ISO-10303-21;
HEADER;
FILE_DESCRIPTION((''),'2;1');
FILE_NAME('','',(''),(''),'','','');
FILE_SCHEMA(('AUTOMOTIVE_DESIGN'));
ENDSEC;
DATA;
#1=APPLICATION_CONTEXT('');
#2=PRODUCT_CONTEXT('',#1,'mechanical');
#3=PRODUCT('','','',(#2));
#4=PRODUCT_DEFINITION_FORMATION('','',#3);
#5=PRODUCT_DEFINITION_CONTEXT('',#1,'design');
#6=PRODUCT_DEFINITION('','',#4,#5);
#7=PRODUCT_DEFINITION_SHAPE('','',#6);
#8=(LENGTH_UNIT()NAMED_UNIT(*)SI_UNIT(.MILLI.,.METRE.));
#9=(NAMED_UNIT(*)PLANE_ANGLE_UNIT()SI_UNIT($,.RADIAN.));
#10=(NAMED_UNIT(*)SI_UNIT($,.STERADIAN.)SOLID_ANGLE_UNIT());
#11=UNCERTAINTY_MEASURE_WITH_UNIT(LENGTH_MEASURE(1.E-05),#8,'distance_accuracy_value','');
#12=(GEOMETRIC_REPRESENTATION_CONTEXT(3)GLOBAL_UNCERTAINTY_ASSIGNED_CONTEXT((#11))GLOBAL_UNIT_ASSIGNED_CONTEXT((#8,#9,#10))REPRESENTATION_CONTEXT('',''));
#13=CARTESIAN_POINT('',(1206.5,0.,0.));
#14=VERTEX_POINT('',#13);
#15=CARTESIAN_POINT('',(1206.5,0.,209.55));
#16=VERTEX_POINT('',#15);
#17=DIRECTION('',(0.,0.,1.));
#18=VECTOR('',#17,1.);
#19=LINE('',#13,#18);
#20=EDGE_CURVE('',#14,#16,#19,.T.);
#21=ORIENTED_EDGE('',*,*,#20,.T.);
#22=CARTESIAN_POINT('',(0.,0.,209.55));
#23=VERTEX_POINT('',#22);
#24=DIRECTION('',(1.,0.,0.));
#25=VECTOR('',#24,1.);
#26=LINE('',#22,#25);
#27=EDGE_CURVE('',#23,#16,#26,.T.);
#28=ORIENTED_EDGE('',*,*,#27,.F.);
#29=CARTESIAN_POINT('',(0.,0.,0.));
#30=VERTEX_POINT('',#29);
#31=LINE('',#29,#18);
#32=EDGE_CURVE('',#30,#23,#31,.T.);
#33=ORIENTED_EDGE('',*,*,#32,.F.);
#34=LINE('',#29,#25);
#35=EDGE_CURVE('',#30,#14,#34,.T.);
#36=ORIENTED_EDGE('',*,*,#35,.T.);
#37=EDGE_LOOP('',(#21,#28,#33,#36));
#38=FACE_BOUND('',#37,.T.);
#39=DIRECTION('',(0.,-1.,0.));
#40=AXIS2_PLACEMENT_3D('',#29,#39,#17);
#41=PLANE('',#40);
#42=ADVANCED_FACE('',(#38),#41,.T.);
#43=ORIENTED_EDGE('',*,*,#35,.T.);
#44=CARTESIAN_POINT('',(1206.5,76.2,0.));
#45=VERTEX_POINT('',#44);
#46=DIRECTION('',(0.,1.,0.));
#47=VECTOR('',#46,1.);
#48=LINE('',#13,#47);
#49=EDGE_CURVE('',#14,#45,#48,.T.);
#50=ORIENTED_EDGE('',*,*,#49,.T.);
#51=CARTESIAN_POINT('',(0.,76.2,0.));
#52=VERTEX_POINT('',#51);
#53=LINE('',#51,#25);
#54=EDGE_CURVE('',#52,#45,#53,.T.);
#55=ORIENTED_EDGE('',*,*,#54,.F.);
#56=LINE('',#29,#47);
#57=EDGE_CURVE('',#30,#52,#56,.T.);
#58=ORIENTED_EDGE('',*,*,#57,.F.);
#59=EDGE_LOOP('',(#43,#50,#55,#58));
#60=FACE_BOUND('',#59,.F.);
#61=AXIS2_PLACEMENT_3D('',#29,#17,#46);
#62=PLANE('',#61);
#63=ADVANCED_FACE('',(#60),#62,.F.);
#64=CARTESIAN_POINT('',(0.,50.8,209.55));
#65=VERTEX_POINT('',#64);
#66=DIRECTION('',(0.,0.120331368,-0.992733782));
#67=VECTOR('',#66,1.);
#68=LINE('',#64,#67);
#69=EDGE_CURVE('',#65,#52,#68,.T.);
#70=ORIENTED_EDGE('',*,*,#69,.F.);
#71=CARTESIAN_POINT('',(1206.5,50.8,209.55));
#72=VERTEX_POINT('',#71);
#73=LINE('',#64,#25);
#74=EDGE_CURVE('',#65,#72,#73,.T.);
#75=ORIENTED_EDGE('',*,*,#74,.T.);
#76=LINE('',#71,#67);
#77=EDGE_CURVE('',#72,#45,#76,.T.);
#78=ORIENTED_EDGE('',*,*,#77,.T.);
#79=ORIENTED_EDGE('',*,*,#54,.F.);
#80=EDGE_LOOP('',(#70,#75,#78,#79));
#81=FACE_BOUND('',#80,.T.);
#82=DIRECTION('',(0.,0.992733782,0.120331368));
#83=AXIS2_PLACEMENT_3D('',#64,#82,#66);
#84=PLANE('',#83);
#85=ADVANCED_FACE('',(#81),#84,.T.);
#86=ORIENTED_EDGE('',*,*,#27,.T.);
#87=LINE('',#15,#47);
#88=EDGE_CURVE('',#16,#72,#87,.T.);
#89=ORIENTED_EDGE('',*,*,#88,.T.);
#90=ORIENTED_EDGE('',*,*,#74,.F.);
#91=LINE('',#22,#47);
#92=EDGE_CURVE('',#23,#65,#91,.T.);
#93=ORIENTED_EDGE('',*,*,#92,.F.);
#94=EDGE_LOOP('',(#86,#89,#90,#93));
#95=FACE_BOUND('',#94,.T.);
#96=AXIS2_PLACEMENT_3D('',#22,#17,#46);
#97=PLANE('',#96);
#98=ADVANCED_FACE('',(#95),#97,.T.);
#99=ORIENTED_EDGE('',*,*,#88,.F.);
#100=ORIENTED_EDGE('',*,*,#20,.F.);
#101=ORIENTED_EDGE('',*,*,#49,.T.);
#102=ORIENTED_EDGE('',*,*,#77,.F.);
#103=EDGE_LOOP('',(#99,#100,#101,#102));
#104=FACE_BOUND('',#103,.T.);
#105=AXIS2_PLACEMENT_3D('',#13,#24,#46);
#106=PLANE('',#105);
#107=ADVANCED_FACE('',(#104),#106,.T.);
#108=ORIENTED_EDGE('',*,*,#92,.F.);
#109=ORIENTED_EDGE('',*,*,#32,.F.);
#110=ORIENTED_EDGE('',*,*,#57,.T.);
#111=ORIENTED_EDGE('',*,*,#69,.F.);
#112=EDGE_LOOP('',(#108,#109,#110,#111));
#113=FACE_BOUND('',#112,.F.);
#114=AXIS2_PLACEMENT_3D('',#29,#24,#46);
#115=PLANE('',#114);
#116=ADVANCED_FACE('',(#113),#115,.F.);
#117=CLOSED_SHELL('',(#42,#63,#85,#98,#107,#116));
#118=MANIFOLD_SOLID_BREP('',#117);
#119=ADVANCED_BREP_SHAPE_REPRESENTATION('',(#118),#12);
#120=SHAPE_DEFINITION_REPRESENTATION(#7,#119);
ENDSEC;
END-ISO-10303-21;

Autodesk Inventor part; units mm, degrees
ref_plane "YZ Plane" through (0, 0, 0) normal (1, 0, 0) x (0, 1, 0)
ref_plane "XZ Plane" through (0, 0, 0) normal (0, 1, 0) x (-1, 0, 0)
ref_plane "XY Plane" through (0, 0, 0) normal (0, 0, 1) x (1, 0, 0)
sketch "Sketch1" plane through (0, 0, 0) normal (1, 0, 0) x (0, 1, 0)
  line L0 (0, 0) -> (76.2, 0)
  line L1 (0, 0) -> (0, 209.55)
  line L2 (0, 209.55) -> (50.8, 209.55)
  line L3 (50.8, 209.55) -> (76.2, 0)
  dimension "d0" = 76.2
  dimension "d1" = 209.55
  dimension "d2" = 50.8
extrude "Extrusion1" add sketch "Sketch1" along normal blind 1206.5
properties part number "Sill" material "Granite, Cut, Polished"
